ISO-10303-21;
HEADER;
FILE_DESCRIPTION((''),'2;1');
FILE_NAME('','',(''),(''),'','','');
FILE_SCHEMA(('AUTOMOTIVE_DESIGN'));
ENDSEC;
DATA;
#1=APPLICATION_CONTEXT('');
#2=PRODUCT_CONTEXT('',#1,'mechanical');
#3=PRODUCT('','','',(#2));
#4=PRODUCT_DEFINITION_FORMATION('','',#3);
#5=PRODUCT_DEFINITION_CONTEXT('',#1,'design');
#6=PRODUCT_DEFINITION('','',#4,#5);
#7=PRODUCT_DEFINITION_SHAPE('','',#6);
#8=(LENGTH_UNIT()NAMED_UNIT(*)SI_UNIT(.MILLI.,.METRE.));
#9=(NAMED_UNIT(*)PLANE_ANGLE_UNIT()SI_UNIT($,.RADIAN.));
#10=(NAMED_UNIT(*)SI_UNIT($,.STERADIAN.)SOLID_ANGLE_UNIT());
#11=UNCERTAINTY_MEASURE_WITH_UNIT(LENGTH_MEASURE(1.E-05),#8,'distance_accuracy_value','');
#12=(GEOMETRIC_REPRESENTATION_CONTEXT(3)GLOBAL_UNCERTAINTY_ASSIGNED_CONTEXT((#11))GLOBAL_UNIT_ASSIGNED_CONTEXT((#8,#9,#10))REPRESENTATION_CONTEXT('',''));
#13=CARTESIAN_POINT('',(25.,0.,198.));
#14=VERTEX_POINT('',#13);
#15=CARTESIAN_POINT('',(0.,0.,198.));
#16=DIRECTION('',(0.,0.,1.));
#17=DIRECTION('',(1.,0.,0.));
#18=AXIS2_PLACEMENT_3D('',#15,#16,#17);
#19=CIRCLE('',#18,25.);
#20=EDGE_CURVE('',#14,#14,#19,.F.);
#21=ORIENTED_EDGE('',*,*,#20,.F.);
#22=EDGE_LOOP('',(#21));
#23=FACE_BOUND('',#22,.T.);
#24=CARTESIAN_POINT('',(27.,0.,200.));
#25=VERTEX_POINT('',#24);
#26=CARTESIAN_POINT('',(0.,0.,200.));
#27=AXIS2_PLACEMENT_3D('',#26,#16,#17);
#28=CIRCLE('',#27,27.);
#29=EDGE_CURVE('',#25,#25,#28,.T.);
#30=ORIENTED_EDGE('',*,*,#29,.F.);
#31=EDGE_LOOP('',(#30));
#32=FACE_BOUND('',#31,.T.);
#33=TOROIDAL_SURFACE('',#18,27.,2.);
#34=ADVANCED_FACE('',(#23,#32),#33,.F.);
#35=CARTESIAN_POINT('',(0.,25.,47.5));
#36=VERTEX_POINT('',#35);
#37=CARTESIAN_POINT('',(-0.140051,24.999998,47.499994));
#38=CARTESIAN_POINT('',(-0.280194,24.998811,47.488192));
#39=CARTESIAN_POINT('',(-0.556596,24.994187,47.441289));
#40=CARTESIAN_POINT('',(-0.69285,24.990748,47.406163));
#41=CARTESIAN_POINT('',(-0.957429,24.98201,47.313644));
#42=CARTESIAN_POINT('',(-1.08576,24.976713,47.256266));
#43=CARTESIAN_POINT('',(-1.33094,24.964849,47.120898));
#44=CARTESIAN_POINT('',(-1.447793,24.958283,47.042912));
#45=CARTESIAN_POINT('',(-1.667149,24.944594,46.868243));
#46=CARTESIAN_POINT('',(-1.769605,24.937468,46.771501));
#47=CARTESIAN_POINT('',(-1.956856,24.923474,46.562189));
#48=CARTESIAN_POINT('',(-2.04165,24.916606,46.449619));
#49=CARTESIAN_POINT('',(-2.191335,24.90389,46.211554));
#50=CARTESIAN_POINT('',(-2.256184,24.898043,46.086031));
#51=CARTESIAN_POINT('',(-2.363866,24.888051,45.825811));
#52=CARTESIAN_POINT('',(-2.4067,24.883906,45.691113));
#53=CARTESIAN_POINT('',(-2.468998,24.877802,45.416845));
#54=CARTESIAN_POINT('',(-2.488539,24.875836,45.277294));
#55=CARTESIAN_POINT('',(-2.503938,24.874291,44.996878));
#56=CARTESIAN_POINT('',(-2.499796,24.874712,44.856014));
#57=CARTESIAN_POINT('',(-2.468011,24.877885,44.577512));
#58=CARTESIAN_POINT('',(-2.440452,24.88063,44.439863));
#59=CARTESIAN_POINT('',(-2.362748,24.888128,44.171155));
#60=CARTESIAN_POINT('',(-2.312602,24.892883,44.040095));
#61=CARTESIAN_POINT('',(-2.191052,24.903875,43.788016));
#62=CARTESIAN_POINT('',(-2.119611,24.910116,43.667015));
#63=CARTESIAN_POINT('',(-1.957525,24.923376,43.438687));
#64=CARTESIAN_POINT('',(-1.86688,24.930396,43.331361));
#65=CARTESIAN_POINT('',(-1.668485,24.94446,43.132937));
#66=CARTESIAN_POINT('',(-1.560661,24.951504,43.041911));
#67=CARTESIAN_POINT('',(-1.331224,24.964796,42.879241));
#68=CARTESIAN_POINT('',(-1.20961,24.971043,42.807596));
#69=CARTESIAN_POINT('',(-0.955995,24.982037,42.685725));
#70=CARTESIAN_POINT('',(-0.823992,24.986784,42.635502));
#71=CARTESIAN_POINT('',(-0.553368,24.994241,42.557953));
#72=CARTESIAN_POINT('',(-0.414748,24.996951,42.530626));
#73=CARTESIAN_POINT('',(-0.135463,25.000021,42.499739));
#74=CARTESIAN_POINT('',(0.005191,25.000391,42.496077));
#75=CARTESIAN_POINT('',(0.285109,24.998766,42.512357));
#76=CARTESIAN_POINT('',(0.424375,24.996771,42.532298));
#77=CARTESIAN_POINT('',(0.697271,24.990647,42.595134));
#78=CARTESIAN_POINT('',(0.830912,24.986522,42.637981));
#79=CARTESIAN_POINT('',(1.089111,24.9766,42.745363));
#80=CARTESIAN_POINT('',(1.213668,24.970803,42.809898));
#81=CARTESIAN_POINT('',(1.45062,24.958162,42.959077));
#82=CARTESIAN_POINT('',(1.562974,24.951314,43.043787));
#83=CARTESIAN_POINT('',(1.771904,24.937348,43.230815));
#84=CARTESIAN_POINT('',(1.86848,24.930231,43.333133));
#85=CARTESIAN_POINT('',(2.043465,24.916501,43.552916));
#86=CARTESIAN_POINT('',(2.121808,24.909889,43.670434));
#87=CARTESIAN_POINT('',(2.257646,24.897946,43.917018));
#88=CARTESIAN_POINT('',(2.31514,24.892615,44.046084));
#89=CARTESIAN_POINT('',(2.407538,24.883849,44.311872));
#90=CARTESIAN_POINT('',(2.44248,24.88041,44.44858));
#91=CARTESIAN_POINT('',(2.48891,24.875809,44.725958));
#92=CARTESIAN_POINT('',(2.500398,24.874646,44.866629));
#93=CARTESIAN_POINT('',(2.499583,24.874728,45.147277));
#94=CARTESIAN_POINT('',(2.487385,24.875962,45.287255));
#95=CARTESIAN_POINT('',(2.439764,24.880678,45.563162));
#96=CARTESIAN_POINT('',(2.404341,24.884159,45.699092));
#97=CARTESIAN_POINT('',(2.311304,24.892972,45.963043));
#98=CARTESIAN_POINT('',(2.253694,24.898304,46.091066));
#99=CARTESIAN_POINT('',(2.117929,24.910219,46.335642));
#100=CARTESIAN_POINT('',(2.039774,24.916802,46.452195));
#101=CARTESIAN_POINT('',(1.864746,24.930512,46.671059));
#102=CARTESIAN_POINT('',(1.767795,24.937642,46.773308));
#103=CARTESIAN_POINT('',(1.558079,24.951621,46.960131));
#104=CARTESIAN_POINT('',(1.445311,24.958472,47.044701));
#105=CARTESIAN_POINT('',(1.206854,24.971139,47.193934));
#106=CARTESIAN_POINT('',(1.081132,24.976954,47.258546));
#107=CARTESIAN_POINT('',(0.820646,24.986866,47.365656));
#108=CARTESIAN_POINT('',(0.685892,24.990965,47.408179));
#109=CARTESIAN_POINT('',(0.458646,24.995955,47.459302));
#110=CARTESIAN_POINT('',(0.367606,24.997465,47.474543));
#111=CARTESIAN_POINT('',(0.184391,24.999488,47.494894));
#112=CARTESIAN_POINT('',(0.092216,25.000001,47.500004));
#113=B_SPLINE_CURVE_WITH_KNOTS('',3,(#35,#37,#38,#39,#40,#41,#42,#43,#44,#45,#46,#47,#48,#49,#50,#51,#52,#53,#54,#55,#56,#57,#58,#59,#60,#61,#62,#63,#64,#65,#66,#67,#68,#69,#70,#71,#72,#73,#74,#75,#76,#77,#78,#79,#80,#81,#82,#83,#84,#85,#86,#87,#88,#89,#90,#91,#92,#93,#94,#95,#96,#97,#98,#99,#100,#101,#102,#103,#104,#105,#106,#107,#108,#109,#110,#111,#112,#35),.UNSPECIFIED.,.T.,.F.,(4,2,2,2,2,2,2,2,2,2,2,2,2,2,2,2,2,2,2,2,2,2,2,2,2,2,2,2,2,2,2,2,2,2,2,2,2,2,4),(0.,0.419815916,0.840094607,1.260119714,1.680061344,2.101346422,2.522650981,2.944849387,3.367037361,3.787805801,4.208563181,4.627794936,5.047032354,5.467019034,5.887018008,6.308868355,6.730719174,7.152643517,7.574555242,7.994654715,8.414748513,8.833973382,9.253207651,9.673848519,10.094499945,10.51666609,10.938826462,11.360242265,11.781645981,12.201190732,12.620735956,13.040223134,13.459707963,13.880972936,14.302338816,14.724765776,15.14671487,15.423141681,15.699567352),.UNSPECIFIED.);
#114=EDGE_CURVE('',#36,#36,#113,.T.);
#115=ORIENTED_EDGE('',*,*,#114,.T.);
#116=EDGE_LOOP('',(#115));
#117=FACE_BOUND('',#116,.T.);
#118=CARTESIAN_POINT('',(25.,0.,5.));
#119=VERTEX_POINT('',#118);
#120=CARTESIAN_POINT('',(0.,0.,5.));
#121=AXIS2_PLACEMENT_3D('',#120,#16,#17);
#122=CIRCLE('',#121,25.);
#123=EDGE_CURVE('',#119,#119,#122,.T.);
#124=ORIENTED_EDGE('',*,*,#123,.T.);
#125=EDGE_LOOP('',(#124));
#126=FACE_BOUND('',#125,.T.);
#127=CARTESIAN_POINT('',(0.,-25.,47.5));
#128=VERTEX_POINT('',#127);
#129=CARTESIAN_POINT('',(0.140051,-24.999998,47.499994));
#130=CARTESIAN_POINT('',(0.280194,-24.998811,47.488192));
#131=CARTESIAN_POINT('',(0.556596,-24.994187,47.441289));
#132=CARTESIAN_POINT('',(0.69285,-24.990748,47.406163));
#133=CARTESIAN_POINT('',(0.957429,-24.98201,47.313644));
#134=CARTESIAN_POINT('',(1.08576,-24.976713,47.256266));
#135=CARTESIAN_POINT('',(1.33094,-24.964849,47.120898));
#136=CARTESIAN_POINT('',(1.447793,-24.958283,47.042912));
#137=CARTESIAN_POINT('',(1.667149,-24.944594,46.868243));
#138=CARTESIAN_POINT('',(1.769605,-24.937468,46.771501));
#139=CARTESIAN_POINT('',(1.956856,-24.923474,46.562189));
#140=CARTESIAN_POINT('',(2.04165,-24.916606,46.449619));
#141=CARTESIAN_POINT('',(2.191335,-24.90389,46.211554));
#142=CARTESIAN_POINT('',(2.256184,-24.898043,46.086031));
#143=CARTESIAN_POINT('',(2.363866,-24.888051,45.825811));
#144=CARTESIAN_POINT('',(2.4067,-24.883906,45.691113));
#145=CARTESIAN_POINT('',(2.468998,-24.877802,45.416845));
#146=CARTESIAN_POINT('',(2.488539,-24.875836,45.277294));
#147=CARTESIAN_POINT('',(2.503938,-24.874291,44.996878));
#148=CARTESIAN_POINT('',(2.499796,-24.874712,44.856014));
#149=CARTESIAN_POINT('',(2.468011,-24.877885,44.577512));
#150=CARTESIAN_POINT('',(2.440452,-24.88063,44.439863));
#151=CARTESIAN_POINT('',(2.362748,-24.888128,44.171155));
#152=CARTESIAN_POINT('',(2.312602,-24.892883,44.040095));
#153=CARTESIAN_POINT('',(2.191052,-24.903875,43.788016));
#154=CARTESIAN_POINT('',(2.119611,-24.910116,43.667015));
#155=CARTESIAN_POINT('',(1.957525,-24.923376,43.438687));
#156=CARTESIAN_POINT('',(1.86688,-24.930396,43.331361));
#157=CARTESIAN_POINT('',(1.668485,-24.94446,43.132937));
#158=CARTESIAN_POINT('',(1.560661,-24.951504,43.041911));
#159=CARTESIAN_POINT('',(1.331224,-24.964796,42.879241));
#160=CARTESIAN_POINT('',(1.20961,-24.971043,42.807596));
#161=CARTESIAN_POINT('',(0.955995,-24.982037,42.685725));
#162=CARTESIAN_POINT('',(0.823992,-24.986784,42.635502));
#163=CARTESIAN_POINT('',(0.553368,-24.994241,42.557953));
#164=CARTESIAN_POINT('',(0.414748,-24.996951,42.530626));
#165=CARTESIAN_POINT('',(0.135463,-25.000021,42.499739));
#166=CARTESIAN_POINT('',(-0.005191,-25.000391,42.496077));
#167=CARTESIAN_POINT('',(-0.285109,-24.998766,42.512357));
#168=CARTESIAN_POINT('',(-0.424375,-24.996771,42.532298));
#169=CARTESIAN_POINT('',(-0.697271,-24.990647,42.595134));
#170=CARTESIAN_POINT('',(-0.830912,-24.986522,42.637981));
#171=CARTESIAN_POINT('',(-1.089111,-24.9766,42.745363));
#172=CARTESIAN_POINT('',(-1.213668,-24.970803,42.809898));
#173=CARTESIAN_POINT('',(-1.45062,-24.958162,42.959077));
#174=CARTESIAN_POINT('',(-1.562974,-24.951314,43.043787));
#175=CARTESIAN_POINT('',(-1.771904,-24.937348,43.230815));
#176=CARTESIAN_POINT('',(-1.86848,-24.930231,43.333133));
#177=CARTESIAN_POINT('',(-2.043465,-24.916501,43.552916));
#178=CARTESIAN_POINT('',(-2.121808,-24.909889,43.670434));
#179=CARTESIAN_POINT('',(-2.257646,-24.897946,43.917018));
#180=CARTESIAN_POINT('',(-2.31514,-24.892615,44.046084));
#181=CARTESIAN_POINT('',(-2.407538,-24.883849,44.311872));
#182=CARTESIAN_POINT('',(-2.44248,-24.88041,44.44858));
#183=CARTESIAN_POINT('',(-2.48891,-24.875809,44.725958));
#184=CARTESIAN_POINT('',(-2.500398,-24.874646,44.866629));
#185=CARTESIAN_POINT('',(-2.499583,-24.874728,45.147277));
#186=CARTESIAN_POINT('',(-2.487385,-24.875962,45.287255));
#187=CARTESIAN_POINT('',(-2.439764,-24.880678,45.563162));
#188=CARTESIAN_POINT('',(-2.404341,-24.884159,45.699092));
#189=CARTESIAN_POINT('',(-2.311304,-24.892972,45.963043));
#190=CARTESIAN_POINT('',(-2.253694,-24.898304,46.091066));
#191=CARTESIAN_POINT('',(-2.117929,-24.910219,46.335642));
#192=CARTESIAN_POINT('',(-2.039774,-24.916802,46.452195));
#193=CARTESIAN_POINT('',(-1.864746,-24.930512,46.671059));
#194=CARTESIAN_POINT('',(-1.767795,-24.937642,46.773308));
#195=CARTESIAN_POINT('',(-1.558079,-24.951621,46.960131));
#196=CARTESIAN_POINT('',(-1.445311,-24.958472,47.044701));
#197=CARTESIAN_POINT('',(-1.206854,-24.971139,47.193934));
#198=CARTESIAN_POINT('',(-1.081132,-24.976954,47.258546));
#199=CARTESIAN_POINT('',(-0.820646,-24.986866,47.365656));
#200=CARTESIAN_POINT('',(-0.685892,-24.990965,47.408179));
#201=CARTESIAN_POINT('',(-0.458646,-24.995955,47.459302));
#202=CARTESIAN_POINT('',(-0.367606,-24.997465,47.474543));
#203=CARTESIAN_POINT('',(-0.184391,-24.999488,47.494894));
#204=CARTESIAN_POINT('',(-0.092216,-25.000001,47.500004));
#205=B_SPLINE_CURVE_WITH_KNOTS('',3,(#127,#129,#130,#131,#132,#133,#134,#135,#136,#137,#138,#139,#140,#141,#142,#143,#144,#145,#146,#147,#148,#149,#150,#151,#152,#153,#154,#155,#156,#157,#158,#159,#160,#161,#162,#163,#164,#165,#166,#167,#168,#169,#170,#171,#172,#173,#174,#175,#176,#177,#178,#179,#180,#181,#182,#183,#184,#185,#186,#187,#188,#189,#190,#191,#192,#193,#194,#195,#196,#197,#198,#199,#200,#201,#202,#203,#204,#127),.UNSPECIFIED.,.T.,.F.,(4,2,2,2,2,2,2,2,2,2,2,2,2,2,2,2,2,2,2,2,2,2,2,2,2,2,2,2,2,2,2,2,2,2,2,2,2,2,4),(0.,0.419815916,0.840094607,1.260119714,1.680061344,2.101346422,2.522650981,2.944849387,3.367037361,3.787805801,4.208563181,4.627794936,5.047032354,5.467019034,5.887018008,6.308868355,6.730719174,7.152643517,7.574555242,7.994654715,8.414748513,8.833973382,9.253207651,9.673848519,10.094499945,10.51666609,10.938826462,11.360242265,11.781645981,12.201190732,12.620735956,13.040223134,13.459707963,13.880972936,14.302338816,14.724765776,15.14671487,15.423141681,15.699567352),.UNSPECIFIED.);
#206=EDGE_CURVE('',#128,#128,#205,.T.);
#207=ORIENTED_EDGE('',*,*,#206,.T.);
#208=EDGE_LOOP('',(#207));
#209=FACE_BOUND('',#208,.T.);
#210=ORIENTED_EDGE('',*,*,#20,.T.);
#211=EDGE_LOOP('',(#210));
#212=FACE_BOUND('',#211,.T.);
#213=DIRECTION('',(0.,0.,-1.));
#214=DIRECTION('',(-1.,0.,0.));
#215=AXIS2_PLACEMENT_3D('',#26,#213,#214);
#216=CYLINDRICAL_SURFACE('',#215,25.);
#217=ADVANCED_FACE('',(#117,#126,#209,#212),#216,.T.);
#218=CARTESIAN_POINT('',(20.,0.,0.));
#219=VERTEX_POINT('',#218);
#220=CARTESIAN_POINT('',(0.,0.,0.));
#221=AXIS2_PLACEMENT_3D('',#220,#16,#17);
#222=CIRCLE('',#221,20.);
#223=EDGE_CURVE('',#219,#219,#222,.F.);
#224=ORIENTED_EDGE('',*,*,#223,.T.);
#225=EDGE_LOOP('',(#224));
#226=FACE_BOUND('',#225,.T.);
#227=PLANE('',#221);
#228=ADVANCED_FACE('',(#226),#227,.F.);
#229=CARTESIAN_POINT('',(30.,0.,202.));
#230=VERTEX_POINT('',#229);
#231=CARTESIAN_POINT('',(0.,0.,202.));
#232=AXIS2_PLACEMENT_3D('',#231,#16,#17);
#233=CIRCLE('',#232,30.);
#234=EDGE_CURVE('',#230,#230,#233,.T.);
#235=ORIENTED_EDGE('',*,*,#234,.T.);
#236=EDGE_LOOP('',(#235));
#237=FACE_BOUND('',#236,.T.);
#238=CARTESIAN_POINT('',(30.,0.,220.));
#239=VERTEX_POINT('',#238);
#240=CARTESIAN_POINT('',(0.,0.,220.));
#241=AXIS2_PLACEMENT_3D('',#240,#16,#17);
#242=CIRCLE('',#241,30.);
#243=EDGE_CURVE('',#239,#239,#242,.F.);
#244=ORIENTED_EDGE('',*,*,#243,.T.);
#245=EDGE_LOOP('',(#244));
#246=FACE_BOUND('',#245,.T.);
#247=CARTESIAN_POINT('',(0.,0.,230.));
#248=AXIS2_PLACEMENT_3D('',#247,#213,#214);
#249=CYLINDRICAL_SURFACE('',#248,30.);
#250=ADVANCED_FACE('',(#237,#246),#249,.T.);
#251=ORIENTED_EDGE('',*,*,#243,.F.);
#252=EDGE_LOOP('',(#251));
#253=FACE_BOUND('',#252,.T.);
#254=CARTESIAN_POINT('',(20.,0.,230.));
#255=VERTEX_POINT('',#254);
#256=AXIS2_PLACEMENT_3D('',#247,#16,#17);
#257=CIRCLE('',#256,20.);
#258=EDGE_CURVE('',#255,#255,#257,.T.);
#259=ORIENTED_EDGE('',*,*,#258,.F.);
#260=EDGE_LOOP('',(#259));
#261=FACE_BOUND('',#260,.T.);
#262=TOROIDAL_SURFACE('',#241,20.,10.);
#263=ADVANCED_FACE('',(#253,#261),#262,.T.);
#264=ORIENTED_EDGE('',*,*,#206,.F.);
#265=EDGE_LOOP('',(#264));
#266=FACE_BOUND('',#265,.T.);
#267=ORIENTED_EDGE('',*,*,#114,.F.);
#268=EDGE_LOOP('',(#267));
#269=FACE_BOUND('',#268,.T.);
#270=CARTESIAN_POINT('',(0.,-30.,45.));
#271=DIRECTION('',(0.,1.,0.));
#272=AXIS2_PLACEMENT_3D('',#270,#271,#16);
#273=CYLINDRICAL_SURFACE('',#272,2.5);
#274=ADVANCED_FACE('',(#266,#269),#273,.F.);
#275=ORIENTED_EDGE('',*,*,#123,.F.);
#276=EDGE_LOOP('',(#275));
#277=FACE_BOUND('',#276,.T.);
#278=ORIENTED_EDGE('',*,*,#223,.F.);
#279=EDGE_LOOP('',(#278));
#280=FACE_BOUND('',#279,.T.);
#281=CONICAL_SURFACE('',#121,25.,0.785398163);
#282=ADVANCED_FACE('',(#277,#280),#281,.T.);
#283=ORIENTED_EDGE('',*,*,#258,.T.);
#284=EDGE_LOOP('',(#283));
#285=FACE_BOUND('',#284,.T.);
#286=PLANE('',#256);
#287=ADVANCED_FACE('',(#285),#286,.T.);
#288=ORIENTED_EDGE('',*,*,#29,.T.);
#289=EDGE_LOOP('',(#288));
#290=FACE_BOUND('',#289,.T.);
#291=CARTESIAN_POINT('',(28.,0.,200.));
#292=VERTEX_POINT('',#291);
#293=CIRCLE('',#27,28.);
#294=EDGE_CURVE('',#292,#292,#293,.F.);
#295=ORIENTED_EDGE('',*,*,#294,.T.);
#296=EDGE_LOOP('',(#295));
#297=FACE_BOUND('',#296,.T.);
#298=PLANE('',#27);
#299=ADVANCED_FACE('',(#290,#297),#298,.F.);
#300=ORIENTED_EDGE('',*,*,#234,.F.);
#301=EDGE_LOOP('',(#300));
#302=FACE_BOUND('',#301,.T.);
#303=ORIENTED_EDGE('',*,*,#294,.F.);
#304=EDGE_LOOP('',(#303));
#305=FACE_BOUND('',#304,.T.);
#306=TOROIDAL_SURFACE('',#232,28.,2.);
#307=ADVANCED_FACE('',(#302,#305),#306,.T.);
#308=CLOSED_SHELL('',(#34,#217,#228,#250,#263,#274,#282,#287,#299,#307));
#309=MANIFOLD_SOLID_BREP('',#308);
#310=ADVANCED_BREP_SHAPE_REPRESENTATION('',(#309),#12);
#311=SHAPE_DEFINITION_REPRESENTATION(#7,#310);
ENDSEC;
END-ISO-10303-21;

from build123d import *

# Parameters (mm, degrees)
SKETCH1_R               = 25
BOSS_EXTRUDE1_DEPTH     = 200
SKETCH2_R               = 30
BOSS_EXTRUDE2_DEPTH     = 30
FILLET1_R               = 10
FILLET2_R               = 2
CHAMFER1_SIZE           = 5
CUT_EXTRUDE1_DEPTH      = 234.880311271
CUT_EXTRUDE1_DEPTH_BACK = 234.880311271
SKETCH3_R               = 2.5


with BuildPart() as part:
    # Sketch1 → Boss-Extrude1 (new body)
    with BuildSketch(Plane.XY):
        Circle(SKETCH1_R)
    extrude(amount=BOSS_EXTRUDE1_DEPTH)

    # Sketch2 → Boss-Extrude2 (add)
    with BuildSketch(Plane.XY.offset(200)):
        Circle(SKETCH2_R)
    extrude(amount=BOSS_EXTRUDE2_DEPTH)

    # Fillet1
    fillet1_edges = [part.edges().sort_by_distance(p)[0] for p in [
        (-30, 0, 230),
    ]]
    fillet(fillet1_edges, radius=FILLET1_R)

    # Fillet2
    fillet2_edges = [part.edges().sort_by_distance(p)[0] for p in [
        (-25, 0, 200),
        (-30, 0, 200),
    ]]
    fillet(fillet2_edges, radius=FILLET2_R)

    # Chamfer1
    chamfer1_edges = [part.edges().sort_by_distance(p)[0] for p in [
        (-25, 0, 0),
    ]]
    chamfer(chamfer1_edges, length=CHAMFER1_SIZE)

    # Sketch3 → Cut-Extrude1 (cut, two sides: drawn at the far end of the back side and taken through both)
    with BuildSketch(Plane(origin=(0, 0, 0), x_dir=(1, 0, 0), z_dir=(0, 1, 0)).offset(-CUT_EXTRUDE1_DEPTH_BACK)):
        with Locations(Location((0, -45, 0), (0, 0, 270))):
            Circle(SKETCH3_R)
    extrude(amount=CUT_EXTRUDE1_DEPTH + CUT_EXTRUDE1_DEPTH_BACK, mode=Mode.SUBTRACT)


solid = part.part
